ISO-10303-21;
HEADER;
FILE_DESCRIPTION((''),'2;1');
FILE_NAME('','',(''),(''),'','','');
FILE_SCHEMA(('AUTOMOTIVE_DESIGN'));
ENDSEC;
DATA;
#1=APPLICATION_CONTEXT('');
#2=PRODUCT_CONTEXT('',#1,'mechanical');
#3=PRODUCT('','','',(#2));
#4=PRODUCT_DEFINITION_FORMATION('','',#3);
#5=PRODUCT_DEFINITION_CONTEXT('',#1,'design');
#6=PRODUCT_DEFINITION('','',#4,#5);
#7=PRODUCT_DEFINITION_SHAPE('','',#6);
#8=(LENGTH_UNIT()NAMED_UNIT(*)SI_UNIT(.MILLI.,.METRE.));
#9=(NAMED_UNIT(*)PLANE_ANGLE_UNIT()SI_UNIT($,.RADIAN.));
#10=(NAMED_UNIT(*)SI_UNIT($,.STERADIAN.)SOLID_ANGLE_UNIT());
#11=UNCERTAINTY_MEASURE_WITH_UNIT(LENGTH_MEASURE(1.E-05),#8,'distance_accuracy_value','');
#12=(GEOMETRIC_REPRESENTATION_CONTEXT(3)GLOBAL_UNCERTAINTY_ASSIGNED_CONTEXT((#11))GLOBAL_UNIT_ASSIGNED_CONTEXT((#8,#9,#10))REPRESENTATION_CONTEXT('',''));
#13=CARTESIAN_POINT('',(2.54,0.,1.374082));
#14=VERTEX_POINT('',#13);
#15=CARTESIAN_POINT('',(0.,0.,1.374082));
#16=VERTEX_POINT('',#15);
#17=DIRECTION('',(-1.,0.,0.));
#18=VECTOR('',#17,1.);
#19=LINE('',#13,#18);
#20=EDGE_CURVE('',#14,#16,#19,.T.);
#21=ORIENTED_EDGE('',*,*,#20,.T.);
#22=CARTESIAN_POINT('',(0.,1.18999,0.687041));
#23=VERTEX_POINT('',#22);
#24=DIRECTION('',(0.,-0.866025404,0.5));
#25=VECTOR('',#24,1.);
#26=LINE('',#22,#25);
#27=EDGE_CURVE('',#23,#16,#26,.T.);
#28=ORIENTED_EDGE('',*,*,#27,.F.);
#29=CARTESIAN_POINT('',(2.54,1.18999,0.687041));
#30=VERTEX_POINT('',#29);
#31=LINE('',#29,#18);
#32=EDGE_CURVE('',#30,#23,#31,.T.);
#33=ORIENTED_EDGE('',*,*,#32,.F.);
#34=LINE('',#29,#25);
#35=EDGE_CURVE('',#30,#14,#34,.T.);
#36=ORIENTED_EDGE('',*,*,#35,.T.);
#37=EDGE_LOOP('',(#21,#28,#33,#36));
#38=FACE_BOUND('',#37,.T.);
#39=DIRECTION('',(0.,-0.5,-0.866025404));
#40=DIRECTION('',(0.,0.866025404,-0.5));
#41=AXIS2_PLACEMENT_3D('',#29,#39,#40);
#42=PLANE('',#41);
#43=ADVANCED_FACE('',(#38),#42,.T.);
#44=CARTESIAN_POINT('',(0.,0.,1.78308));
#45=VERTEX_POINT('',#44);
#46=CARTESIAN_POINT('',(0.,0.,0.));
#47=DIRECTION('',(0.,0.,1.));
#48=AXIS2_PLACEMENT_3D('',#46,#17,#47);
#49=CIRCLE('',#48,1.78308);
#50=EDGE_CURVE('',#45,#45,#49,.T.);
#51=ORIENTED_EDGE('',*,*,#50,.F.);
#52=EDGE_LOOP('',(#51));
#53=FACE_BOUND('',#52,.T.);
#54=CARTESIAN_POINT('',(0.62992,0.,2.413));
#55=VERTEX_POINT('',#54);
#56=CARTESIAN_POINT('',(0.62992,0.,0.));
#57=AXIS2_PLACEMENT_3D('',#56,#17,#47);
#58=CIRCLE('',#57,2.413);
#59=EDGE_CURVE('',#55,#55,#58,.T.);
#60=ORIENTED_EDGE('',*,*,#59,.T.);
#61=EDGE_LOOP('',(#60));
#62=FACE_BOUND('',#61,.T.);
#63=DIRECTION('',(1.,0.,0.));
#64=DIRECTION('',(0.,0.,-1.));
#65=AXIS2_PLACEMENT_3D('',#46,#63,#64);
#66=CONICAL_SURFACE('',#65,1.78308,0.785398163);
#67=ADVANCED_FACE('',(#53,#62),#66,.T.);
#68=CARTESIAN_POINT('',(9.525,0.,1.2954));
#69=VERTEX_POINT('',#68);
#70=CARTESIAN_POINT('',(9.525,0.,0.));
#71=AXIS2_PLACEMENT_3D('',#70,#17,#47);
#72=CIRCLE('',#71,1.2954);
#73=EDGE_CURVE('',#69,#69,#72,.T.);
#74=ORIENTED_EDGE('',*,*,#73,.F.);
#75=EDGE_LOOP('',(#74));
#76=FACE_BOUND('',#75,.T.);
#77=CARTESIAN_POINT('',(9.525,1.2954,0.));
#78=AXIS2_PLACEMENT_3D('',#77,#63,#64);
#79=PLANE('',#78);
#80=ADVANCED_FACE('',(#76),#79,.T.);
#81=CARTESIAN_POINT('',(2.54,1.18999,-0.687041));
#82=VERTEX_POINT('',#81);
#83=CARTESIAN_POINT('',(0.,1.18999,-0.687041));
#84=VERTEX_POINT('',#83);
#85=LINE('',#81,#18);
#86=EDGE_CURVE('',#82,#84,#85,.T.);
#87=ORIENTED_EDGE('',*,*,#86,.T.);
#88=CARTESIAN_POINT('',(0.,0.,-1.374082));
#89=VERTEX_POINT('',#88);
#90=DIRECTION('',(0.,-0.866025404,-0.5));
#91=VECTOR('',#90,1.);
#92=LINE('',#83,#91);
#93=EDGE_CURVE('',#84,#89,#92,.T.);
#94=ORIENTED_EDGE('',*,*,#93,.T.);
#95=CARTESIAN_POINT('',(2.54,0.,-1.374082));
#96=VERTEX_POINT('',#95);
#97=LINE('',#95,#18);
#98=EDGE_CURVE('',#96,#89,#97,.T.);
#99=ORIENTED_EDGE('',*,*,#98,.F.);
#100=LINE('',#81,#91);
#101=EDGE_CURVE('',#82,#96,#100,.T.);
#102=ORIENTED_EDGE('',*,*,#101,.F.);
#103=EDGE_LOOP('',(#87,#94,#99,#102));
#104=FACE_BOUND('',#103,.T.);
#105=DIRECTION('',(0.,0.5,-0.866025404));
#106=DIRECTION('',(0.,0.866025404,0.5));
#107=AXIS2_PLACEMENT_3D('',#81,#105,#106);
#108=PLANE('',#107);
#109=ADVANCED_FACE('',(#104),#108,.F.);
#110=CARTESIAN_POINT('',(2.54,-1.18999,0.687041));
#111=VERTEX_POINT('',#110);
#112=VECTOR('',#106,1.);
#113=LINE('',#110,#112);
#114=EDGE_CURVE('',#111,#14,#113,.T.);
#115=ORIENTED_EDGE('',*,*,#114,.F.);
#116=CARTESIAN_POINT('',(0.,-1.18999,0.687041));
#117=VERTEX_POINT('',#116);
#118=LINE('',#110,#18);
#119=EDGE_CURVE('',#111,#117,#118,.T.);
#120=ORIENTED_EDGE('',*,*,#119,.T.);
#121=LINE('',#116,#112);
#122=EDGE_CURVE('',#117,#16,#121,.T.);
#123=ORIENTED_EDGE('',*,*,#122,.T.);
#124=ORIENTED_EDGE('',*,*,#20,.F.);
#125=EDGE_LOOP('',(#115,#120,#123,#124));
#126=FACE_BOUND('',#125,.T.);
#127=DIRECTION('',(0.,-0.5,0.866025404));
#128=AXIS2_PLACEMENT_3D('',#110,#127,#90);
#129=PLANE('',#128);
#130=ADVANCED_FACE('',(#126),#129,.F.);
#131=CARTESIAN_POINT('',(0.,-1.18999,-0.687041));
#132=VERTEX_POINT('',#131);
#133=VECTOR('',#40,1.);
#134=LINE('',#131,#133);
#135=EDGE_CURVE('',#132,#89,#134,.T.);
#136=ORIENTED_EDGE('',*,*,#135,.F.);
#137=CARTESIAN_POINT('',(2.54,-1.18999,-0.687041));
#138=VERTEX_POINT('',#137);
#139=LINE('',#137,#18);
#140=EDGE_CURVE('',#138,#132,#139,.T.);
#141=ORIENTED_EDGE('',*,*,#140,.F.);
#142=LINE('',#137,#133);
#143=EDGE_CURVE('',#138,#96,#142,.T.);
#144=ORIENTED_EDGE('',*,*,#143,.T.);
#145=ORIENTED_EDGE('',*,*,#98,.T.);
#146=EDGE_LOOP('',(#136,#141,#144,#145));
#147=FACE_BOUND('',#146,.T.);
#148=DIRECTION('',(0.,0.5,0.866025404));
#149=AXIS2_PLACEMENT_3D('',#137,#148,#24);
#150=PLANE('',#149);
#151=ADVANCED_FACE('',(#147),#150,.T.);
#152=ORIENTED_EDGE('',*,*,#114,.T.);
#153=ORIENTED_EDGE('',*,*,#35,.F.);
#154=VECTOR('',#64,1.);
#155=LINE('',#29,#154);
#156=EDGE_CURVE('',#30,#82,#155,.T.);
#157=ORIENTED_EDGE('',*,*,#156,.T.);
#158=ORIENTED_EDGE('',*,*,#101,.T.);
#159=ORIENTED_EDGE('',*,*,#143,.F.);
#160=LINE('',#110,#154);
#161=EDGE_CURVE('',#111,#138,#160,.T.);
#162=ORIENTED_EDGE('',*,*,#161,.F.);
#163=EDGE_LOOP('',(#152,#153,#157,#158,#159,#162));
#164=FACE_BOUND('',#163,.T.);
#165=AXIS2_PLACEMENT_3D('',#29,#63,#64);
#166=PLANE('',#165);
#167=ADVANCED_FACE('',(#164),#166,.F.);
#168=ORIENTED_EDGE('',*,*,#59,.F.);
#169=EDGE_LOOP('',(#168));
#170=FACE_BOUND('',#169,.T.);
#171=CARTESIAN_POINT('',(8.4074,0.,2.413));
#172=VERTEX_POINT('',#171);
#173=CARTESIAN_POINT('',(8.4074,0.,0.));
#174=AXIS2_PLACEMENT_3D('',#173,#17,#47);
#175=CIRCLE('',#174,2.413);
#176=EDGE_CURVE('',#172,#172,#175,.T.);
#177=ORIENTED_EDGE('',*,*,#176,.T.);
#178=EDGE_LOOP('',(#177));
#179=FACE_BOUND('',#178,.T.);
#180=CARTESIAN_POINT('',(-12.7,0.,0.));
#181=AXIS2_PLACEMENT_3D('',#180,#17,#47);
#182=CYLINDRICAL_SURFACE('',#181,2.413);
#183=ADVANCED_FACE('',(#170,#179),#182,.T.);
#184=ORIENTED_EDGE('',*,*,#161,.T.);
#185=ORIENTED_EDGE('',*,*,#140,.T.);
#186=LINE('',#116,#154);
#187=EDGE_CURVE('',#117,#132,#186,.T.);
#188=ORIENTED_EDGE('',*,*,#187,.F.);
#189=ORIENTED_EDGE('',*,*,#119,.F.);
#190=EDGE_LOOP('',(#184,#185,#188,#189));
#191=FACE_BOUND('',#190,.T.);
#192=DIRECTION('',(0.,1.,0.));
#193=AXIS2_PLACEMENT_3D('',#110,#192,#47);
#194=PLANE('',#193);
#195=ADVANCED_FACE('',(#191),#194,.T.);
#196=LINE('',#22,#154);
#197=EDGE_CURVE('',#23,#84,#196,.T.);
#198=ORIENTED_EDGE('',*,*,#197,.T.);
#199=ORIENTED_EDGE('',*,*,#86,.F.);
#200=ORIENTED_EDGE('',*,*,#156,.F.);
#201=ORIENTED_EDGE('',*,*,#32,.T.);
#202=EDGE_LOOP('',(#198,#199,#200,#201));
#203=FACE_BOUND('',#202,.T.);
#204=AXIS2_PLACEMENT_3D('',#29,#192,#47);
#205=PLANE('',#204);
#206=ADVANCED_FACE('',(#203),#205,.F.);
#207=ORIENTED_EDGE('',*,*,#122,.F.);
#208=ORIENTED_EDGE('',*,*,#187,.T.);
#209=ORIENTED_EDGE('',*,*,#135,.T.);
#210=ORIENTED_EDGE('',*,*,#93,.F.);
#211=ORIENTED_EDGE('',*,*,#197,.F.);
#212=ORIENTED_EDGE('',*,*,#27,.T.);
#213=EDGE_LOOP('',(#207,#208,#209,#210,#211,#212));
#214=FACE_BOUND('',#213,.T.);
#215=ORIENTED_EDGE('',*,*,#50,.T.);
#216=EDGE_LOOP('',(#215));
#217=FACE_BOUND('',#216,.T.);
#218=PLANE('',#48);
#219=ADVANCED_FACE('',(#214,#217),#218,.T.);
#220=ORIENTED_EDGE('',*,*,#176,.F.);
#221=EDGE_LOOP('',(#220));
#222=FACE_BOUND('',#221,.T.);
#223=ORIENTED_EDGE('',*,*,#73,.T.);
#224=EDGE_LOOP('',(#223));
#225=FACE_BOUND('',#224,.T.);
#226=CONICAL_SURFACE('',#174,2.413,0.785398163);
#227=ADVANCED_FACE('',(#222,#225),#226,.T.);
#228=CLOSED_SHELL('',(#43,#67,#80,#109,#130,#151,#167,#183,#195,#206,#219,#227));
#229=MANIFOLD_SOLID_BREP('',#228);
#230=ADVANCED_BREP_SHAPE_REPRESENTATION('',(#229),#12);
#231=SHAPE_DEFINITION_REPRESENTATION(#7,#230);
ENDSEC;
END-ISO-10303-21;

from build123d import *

# Parameters (mm, degrees)
HEX_2_DEPTH = 2.54


with BuildPart() as part:
    # BodySke → BaseBody (revolve)
    with BuildSketch(Plane.XY):
        Polygon((0, 0), (0, 1.78308), (0.62992, 2.413), (8.4074, 2.413), (9.525, 1.2954), (9.525, 0), align=None)
    revolve(axis=Axis((-12.7, 0, 0), (1, 0, 0)))

    # Sketch2 → Hex 2 (cut)
    with BuildSketch(Plane.ZY):
        Polygon((0.687041047, 1.18999), (-0.687041047, 1.18999), (-1.374082094, 0), (-0.687041047, -1.18999), (0.687041047, -1.18999), (1.374082094, 0), align=None)
    extrude(amount=-HEX_2_DEPTH, mode=Mode.SUBTRACT)


solid = part.part
